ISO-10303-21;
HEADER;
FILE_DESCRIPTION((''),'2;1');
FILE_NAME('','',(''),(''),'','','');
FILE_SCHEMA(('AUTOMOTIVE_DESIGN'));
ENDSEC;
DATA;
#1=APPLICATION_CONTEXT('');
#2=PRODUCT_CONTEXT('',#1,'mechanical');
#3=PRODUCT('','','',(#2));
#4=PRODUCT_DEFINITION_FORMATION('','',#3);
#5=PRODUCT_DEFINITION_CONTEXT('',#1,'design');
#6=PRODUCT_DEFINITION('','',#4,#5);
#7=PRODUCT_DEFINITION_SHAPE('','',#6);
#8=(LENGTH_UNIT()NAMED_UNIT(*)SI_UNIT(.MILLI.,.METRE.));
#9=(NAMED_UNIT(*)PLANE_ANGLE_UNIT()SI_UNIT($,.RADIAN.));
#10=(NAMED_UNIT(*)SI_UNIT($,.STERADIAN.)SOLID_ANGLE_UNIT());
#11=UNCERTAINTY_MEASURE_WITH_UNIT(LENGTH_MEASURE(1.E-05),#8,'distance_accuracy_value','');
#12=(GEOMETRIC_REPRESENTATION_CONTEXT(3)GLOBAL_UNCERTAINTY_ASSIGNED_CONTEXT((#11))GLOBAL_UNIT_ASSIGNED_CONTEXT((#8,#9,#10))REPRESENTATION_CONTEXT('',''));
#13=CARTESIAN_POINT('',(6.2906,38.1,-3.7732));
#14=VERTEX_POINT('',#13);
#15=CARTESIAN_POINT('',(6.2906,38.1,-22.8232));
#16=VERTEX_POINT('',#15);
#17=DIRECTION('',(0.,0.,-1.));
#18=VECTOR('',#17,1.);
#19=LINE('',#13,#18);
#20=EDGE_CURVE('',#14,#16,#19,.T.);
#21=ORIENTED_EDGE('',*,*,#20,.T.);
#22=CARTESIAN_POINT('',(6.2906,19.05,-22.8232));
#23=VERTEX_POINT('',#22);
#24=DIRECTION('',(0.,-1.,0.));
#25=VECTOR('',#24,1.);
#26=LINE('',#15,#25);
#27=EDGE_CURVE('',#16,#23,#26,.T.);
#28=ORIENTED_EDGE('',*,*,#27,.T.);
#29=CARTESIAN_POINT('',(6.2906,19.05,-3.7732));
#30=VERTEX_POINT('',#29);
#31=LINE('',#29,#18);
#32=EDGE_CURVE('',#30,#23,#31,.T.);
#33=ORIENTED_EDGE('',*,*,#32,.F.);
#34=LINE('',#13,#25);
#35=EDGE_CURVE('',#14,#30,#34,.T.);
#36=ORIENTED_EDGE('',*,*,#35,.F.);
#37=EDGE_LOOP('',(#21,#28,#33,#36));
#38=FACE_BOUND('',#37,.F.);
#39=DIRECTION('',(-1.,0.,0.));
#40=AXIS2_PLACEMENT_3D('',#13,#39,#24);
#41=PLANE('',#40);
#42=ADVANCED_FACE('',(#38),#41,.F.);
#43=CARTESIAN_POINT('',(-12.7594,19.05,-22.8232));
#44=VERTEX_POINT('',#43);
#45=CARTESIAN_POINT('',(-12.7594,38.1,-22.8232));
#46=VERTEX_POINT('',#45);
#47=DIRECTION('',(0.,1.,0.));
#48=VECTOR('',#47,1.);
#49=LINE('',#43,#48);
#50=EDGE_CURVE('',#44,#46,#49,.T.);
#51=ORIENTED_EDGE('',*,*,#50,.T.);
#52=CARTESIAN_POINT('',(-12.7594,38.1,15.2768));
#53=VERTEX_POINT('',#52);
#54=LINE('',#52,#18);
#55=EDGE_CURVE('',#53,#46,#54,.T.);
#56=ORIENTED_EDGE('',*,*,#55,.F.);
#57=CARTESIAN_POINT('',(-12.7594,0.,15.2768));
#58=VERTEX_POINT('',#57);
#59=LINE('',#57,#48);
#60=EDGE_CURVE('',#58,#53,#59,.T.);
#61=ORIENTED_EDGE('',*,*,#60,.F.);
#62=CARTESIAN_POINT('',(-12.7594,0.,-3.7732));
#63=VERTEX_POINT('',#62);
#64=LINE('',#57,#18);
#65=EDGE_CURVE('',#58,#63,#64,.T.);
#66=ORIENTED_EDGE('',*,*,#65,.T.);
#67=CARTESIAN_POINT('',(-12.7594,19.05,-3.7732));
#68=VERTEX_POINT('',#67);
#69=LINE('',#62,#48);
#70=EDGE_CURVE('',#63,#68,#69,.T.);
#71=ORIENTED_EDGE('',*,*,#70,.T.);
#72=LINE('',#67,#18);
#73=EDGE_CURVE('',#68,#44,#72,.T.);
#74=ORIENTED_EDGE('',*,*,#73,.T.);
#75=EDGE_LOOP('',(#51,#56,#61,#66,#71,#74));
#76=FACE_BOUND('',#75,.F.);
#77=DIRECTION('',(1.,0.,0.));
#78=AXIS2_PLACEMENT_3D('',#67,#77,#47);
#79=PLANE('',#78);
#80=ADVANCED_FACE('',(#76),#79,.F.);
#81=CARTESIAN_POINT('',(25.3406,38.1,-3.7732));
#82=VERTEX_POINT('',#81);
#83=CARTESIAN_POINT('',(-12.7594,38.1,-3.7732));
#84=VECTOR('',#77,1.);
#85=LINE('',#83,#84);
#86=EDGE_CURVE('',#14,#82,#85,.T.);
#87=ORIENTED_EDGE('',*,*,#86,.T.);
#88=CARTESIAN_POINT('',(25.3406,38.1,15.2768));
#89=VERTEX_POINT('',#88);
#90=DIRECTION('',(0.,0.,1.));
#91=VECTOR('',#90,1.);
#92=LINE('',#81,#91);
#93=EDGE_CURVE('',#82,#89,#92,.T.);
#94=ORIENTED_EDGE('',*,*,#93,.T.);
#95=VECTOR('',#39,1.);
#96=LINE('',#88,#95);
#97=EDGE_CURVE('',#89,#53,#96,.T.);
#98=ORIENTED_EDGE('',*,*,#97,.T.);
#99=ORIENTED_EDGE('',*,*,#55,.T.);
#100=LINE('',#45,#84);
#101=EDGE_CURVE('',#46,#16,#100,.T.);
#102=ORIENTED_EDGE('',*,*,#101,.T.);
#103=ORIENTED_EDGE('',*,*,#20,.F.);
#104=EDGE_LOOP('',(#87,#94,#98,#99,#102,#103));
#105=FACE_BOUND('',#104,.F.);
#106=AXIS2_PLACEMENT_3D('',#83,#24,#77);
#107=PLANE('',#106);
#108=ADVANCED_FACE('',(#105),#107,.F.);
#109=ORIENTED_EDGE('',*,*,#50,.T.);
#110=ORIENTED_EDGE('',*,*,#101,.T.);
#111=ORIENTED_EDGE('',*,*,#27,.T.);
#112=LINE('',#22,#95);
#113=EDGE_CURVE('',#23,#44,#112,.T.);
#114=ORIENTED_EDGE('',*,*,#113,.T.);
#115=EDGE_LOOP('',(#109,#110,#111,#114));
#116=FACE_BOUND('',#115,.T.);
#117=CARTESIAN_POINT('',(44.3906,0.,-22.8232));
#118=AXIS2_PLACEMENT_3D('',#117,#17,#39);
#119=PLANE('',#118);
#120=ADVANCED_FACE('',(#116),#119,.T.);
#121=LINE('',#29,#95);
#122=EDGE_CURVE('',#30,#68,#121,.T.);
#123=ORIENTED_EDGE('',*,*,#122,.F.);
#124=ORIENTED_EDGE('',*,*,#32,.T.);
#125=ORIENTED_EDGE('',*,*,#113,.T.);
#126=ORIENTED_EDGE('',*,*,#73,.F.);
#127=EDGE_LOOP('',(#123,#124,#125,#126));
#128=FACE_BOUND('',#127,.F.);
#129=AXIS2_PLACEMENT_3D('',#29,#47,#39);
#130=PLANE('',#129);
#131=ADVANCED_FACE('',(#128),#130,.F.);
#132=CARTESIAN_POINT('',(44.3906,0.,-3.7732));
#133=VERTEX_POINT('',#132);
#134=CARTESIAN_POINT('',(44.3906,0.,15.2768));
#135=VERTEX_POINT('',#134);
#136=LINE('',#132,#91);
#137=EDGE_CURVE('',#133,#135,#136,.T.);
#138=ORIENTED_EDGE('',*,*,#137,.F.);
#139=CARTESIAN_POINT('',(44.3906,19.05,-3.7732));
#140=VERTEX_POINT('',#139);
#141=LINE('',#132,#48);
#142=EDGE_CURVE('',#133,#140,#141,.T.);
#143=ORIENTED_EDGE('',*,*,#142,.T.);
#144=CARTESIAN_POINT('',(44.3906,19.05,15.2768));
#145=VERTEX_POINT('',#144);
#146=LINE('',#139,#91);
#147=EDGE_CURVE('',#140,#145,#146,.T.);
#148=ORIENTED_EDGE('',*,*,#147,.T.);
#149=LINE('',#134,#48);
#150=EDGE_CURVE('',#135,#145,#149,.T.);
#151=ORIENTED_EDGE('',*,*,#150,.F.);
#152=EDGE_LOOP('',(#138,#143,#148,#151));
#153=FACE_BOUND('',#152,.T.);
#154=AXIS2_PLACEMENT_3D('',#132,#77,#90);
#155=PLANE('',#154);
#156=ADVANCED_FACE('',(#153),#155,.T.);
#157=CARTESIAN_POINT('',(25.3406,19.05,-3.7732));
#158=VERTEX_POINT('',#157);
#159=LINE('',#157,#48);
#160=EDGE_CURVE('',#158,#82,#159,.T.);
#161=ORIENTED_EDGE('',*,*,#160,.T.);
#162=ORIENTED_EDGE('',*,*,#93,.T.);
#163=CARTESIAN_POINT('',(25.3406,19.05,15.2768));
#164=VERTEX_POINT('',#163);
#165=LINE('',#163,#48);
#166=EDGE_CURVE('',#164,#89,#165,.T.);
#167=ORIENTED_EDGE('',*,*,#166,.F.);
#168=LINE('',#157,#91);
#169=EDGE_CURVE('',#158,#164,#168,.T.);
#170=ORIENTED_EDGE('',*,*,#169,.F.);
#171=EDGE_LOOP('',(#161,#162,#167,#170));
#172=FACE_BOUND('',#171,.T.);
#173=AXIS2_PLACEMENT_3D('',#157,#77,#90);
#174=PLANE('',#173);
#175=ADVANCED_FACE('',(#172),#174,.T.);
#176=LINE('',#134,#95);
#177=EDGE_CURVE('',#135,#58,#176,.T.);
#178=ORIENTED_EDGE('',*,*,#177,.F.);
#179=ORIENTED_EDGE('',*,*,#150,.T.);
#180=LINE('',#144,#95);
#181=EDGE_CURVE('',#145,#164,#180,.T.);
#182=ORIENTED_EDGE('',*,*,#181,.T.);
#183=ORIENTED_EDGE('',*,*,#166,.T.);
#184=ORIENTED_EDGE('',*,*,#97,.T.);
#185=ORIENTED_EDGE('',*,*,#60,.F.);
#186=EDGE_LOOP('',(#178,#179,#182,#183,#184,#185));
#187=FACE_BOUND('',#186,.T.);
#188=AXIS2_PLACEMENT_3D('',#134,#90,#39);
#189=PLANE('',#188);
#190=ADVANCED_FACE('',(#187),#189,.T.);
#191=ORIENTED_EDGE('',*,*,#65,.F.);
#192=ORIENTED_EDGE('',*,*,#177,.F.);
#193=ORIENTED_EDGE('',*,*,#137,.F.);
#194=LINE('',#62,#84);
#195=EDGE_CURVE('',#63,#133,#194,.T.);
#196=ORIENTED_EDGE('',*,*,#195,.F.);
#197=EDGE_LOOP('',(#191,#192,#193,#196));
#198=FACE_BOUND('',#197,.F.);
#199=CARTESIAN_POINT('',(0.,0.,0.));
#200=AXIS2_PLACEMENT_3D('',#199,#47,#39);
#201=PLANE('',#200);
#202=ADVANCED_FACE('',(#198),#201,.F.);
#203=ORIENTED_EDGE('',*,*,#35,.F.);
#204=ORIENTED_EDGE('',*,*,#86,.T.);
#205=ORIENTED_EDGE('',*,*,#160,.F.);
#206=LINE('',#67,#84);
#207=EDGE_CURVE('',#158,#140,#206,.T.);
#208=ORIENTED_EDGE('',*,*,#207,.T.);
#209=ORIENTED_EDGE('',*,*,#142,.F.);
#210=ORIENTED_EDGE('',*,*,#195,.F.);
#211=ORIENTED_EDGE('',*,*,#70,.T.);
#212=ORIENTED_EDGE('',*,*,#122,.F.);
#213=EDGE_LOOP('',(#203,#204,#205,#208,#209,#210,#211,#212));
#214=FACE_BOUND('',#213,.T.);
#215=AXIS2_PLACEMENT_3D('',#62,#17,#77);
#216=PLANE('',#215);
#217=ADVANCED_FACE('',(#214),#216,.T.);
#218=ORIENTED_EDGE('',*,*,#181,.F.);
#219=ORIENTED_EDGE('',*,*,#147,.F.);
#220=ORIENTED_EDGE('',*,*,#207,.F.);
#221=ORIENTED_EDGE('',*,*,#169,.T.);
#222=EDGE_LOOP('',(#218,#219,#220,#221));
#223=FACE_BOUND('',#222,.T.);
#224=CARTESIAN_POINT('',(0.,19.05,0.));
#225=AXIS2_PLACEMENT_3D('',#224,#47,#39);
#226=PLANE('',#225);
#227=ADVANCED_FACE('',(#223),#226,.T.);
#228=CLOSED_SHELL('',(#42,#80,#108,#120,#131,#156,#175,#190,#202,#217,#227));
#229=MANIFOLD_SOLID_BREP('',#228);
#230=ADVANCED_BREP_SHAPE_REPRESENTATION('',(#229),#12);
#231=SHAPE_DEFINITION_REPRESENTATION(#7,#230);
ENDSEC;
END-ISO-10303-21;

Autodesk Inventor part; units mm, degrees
ref_plane "YZ Plane" through (0, 0, 0) normal (1, 0, 0) x (0, 1, 0)
ref_plane "XZ Plane" through (0, 0, 0) normal (0, 1, 0) x (-1, 0, 0)
ref_plane "XY Plane" through (0, 0, 0) normal (0, 0, 1) x (1, 0, 0)
sketch "Sketch1" plane through (0, 0, 0) normal (0, 1, 0) x (-1, 0, 0)
  line L0 (12.7594, -3.7732) -> (-44.3906, -3.7732)
  line L1 (-44.3906, -3.7732) -> (-44.3906, 15.2768)
  line L2 (-44.3906, 15.2768) -> (12.7594, 15.2768)
  line L3 (12.7594, 15.2768) -> (12.7594, -3.7732)
  point P0 (0, 0)
  dimension "d0" = 57.15
  dimension "d1" = 19.05
extrude "Extrusion1" add sketch "Sketch1" along normal blind 19.05
sketch "Sketch2" plane through (0, 19.05, 0) normal (0, 1, 0) x (1, 0, 0)
  line L0 (-12.7594, 3.7732) -> (25.3406, 3.7732)
  line L1 (25.3406, 3.7732) -> (25.3406, -15.2768)
  line L2 (25.3406, -15.2768) -> (-12.7594, -15.2768)
  line L3 (-12.7594, -15.2768) -> (-12.7594, 3.7732)
  point P0 (0, 0)
  dimension "d4" = 38.1
  dimension "d5" = 19.05
extrude "Extrusion2" add sketch "Sketch2" along normal blind 19.05
sketch "Sketch3" plane through (44.3906, 0, -3.7732) normal (0, 0, -1) x (-1, 0, 0)
  line L0 (57.15, 38.1) -> (38.1, 38.1)
  line L1 (38.1, 38.1) -> (38.1, 19.05)
  line L2 (38.1, 19.05) -> (57.15, 19.05)
  line L3 (57.15, 19.05) -> (57.15, 38.1)
  point P0 (44.3906, 0)
  dimension "d8" = 19.05
  dimension "d9" = 19.05
extrude "Extrusion3" add sketch "Sketch3" along normal blind 19.05
